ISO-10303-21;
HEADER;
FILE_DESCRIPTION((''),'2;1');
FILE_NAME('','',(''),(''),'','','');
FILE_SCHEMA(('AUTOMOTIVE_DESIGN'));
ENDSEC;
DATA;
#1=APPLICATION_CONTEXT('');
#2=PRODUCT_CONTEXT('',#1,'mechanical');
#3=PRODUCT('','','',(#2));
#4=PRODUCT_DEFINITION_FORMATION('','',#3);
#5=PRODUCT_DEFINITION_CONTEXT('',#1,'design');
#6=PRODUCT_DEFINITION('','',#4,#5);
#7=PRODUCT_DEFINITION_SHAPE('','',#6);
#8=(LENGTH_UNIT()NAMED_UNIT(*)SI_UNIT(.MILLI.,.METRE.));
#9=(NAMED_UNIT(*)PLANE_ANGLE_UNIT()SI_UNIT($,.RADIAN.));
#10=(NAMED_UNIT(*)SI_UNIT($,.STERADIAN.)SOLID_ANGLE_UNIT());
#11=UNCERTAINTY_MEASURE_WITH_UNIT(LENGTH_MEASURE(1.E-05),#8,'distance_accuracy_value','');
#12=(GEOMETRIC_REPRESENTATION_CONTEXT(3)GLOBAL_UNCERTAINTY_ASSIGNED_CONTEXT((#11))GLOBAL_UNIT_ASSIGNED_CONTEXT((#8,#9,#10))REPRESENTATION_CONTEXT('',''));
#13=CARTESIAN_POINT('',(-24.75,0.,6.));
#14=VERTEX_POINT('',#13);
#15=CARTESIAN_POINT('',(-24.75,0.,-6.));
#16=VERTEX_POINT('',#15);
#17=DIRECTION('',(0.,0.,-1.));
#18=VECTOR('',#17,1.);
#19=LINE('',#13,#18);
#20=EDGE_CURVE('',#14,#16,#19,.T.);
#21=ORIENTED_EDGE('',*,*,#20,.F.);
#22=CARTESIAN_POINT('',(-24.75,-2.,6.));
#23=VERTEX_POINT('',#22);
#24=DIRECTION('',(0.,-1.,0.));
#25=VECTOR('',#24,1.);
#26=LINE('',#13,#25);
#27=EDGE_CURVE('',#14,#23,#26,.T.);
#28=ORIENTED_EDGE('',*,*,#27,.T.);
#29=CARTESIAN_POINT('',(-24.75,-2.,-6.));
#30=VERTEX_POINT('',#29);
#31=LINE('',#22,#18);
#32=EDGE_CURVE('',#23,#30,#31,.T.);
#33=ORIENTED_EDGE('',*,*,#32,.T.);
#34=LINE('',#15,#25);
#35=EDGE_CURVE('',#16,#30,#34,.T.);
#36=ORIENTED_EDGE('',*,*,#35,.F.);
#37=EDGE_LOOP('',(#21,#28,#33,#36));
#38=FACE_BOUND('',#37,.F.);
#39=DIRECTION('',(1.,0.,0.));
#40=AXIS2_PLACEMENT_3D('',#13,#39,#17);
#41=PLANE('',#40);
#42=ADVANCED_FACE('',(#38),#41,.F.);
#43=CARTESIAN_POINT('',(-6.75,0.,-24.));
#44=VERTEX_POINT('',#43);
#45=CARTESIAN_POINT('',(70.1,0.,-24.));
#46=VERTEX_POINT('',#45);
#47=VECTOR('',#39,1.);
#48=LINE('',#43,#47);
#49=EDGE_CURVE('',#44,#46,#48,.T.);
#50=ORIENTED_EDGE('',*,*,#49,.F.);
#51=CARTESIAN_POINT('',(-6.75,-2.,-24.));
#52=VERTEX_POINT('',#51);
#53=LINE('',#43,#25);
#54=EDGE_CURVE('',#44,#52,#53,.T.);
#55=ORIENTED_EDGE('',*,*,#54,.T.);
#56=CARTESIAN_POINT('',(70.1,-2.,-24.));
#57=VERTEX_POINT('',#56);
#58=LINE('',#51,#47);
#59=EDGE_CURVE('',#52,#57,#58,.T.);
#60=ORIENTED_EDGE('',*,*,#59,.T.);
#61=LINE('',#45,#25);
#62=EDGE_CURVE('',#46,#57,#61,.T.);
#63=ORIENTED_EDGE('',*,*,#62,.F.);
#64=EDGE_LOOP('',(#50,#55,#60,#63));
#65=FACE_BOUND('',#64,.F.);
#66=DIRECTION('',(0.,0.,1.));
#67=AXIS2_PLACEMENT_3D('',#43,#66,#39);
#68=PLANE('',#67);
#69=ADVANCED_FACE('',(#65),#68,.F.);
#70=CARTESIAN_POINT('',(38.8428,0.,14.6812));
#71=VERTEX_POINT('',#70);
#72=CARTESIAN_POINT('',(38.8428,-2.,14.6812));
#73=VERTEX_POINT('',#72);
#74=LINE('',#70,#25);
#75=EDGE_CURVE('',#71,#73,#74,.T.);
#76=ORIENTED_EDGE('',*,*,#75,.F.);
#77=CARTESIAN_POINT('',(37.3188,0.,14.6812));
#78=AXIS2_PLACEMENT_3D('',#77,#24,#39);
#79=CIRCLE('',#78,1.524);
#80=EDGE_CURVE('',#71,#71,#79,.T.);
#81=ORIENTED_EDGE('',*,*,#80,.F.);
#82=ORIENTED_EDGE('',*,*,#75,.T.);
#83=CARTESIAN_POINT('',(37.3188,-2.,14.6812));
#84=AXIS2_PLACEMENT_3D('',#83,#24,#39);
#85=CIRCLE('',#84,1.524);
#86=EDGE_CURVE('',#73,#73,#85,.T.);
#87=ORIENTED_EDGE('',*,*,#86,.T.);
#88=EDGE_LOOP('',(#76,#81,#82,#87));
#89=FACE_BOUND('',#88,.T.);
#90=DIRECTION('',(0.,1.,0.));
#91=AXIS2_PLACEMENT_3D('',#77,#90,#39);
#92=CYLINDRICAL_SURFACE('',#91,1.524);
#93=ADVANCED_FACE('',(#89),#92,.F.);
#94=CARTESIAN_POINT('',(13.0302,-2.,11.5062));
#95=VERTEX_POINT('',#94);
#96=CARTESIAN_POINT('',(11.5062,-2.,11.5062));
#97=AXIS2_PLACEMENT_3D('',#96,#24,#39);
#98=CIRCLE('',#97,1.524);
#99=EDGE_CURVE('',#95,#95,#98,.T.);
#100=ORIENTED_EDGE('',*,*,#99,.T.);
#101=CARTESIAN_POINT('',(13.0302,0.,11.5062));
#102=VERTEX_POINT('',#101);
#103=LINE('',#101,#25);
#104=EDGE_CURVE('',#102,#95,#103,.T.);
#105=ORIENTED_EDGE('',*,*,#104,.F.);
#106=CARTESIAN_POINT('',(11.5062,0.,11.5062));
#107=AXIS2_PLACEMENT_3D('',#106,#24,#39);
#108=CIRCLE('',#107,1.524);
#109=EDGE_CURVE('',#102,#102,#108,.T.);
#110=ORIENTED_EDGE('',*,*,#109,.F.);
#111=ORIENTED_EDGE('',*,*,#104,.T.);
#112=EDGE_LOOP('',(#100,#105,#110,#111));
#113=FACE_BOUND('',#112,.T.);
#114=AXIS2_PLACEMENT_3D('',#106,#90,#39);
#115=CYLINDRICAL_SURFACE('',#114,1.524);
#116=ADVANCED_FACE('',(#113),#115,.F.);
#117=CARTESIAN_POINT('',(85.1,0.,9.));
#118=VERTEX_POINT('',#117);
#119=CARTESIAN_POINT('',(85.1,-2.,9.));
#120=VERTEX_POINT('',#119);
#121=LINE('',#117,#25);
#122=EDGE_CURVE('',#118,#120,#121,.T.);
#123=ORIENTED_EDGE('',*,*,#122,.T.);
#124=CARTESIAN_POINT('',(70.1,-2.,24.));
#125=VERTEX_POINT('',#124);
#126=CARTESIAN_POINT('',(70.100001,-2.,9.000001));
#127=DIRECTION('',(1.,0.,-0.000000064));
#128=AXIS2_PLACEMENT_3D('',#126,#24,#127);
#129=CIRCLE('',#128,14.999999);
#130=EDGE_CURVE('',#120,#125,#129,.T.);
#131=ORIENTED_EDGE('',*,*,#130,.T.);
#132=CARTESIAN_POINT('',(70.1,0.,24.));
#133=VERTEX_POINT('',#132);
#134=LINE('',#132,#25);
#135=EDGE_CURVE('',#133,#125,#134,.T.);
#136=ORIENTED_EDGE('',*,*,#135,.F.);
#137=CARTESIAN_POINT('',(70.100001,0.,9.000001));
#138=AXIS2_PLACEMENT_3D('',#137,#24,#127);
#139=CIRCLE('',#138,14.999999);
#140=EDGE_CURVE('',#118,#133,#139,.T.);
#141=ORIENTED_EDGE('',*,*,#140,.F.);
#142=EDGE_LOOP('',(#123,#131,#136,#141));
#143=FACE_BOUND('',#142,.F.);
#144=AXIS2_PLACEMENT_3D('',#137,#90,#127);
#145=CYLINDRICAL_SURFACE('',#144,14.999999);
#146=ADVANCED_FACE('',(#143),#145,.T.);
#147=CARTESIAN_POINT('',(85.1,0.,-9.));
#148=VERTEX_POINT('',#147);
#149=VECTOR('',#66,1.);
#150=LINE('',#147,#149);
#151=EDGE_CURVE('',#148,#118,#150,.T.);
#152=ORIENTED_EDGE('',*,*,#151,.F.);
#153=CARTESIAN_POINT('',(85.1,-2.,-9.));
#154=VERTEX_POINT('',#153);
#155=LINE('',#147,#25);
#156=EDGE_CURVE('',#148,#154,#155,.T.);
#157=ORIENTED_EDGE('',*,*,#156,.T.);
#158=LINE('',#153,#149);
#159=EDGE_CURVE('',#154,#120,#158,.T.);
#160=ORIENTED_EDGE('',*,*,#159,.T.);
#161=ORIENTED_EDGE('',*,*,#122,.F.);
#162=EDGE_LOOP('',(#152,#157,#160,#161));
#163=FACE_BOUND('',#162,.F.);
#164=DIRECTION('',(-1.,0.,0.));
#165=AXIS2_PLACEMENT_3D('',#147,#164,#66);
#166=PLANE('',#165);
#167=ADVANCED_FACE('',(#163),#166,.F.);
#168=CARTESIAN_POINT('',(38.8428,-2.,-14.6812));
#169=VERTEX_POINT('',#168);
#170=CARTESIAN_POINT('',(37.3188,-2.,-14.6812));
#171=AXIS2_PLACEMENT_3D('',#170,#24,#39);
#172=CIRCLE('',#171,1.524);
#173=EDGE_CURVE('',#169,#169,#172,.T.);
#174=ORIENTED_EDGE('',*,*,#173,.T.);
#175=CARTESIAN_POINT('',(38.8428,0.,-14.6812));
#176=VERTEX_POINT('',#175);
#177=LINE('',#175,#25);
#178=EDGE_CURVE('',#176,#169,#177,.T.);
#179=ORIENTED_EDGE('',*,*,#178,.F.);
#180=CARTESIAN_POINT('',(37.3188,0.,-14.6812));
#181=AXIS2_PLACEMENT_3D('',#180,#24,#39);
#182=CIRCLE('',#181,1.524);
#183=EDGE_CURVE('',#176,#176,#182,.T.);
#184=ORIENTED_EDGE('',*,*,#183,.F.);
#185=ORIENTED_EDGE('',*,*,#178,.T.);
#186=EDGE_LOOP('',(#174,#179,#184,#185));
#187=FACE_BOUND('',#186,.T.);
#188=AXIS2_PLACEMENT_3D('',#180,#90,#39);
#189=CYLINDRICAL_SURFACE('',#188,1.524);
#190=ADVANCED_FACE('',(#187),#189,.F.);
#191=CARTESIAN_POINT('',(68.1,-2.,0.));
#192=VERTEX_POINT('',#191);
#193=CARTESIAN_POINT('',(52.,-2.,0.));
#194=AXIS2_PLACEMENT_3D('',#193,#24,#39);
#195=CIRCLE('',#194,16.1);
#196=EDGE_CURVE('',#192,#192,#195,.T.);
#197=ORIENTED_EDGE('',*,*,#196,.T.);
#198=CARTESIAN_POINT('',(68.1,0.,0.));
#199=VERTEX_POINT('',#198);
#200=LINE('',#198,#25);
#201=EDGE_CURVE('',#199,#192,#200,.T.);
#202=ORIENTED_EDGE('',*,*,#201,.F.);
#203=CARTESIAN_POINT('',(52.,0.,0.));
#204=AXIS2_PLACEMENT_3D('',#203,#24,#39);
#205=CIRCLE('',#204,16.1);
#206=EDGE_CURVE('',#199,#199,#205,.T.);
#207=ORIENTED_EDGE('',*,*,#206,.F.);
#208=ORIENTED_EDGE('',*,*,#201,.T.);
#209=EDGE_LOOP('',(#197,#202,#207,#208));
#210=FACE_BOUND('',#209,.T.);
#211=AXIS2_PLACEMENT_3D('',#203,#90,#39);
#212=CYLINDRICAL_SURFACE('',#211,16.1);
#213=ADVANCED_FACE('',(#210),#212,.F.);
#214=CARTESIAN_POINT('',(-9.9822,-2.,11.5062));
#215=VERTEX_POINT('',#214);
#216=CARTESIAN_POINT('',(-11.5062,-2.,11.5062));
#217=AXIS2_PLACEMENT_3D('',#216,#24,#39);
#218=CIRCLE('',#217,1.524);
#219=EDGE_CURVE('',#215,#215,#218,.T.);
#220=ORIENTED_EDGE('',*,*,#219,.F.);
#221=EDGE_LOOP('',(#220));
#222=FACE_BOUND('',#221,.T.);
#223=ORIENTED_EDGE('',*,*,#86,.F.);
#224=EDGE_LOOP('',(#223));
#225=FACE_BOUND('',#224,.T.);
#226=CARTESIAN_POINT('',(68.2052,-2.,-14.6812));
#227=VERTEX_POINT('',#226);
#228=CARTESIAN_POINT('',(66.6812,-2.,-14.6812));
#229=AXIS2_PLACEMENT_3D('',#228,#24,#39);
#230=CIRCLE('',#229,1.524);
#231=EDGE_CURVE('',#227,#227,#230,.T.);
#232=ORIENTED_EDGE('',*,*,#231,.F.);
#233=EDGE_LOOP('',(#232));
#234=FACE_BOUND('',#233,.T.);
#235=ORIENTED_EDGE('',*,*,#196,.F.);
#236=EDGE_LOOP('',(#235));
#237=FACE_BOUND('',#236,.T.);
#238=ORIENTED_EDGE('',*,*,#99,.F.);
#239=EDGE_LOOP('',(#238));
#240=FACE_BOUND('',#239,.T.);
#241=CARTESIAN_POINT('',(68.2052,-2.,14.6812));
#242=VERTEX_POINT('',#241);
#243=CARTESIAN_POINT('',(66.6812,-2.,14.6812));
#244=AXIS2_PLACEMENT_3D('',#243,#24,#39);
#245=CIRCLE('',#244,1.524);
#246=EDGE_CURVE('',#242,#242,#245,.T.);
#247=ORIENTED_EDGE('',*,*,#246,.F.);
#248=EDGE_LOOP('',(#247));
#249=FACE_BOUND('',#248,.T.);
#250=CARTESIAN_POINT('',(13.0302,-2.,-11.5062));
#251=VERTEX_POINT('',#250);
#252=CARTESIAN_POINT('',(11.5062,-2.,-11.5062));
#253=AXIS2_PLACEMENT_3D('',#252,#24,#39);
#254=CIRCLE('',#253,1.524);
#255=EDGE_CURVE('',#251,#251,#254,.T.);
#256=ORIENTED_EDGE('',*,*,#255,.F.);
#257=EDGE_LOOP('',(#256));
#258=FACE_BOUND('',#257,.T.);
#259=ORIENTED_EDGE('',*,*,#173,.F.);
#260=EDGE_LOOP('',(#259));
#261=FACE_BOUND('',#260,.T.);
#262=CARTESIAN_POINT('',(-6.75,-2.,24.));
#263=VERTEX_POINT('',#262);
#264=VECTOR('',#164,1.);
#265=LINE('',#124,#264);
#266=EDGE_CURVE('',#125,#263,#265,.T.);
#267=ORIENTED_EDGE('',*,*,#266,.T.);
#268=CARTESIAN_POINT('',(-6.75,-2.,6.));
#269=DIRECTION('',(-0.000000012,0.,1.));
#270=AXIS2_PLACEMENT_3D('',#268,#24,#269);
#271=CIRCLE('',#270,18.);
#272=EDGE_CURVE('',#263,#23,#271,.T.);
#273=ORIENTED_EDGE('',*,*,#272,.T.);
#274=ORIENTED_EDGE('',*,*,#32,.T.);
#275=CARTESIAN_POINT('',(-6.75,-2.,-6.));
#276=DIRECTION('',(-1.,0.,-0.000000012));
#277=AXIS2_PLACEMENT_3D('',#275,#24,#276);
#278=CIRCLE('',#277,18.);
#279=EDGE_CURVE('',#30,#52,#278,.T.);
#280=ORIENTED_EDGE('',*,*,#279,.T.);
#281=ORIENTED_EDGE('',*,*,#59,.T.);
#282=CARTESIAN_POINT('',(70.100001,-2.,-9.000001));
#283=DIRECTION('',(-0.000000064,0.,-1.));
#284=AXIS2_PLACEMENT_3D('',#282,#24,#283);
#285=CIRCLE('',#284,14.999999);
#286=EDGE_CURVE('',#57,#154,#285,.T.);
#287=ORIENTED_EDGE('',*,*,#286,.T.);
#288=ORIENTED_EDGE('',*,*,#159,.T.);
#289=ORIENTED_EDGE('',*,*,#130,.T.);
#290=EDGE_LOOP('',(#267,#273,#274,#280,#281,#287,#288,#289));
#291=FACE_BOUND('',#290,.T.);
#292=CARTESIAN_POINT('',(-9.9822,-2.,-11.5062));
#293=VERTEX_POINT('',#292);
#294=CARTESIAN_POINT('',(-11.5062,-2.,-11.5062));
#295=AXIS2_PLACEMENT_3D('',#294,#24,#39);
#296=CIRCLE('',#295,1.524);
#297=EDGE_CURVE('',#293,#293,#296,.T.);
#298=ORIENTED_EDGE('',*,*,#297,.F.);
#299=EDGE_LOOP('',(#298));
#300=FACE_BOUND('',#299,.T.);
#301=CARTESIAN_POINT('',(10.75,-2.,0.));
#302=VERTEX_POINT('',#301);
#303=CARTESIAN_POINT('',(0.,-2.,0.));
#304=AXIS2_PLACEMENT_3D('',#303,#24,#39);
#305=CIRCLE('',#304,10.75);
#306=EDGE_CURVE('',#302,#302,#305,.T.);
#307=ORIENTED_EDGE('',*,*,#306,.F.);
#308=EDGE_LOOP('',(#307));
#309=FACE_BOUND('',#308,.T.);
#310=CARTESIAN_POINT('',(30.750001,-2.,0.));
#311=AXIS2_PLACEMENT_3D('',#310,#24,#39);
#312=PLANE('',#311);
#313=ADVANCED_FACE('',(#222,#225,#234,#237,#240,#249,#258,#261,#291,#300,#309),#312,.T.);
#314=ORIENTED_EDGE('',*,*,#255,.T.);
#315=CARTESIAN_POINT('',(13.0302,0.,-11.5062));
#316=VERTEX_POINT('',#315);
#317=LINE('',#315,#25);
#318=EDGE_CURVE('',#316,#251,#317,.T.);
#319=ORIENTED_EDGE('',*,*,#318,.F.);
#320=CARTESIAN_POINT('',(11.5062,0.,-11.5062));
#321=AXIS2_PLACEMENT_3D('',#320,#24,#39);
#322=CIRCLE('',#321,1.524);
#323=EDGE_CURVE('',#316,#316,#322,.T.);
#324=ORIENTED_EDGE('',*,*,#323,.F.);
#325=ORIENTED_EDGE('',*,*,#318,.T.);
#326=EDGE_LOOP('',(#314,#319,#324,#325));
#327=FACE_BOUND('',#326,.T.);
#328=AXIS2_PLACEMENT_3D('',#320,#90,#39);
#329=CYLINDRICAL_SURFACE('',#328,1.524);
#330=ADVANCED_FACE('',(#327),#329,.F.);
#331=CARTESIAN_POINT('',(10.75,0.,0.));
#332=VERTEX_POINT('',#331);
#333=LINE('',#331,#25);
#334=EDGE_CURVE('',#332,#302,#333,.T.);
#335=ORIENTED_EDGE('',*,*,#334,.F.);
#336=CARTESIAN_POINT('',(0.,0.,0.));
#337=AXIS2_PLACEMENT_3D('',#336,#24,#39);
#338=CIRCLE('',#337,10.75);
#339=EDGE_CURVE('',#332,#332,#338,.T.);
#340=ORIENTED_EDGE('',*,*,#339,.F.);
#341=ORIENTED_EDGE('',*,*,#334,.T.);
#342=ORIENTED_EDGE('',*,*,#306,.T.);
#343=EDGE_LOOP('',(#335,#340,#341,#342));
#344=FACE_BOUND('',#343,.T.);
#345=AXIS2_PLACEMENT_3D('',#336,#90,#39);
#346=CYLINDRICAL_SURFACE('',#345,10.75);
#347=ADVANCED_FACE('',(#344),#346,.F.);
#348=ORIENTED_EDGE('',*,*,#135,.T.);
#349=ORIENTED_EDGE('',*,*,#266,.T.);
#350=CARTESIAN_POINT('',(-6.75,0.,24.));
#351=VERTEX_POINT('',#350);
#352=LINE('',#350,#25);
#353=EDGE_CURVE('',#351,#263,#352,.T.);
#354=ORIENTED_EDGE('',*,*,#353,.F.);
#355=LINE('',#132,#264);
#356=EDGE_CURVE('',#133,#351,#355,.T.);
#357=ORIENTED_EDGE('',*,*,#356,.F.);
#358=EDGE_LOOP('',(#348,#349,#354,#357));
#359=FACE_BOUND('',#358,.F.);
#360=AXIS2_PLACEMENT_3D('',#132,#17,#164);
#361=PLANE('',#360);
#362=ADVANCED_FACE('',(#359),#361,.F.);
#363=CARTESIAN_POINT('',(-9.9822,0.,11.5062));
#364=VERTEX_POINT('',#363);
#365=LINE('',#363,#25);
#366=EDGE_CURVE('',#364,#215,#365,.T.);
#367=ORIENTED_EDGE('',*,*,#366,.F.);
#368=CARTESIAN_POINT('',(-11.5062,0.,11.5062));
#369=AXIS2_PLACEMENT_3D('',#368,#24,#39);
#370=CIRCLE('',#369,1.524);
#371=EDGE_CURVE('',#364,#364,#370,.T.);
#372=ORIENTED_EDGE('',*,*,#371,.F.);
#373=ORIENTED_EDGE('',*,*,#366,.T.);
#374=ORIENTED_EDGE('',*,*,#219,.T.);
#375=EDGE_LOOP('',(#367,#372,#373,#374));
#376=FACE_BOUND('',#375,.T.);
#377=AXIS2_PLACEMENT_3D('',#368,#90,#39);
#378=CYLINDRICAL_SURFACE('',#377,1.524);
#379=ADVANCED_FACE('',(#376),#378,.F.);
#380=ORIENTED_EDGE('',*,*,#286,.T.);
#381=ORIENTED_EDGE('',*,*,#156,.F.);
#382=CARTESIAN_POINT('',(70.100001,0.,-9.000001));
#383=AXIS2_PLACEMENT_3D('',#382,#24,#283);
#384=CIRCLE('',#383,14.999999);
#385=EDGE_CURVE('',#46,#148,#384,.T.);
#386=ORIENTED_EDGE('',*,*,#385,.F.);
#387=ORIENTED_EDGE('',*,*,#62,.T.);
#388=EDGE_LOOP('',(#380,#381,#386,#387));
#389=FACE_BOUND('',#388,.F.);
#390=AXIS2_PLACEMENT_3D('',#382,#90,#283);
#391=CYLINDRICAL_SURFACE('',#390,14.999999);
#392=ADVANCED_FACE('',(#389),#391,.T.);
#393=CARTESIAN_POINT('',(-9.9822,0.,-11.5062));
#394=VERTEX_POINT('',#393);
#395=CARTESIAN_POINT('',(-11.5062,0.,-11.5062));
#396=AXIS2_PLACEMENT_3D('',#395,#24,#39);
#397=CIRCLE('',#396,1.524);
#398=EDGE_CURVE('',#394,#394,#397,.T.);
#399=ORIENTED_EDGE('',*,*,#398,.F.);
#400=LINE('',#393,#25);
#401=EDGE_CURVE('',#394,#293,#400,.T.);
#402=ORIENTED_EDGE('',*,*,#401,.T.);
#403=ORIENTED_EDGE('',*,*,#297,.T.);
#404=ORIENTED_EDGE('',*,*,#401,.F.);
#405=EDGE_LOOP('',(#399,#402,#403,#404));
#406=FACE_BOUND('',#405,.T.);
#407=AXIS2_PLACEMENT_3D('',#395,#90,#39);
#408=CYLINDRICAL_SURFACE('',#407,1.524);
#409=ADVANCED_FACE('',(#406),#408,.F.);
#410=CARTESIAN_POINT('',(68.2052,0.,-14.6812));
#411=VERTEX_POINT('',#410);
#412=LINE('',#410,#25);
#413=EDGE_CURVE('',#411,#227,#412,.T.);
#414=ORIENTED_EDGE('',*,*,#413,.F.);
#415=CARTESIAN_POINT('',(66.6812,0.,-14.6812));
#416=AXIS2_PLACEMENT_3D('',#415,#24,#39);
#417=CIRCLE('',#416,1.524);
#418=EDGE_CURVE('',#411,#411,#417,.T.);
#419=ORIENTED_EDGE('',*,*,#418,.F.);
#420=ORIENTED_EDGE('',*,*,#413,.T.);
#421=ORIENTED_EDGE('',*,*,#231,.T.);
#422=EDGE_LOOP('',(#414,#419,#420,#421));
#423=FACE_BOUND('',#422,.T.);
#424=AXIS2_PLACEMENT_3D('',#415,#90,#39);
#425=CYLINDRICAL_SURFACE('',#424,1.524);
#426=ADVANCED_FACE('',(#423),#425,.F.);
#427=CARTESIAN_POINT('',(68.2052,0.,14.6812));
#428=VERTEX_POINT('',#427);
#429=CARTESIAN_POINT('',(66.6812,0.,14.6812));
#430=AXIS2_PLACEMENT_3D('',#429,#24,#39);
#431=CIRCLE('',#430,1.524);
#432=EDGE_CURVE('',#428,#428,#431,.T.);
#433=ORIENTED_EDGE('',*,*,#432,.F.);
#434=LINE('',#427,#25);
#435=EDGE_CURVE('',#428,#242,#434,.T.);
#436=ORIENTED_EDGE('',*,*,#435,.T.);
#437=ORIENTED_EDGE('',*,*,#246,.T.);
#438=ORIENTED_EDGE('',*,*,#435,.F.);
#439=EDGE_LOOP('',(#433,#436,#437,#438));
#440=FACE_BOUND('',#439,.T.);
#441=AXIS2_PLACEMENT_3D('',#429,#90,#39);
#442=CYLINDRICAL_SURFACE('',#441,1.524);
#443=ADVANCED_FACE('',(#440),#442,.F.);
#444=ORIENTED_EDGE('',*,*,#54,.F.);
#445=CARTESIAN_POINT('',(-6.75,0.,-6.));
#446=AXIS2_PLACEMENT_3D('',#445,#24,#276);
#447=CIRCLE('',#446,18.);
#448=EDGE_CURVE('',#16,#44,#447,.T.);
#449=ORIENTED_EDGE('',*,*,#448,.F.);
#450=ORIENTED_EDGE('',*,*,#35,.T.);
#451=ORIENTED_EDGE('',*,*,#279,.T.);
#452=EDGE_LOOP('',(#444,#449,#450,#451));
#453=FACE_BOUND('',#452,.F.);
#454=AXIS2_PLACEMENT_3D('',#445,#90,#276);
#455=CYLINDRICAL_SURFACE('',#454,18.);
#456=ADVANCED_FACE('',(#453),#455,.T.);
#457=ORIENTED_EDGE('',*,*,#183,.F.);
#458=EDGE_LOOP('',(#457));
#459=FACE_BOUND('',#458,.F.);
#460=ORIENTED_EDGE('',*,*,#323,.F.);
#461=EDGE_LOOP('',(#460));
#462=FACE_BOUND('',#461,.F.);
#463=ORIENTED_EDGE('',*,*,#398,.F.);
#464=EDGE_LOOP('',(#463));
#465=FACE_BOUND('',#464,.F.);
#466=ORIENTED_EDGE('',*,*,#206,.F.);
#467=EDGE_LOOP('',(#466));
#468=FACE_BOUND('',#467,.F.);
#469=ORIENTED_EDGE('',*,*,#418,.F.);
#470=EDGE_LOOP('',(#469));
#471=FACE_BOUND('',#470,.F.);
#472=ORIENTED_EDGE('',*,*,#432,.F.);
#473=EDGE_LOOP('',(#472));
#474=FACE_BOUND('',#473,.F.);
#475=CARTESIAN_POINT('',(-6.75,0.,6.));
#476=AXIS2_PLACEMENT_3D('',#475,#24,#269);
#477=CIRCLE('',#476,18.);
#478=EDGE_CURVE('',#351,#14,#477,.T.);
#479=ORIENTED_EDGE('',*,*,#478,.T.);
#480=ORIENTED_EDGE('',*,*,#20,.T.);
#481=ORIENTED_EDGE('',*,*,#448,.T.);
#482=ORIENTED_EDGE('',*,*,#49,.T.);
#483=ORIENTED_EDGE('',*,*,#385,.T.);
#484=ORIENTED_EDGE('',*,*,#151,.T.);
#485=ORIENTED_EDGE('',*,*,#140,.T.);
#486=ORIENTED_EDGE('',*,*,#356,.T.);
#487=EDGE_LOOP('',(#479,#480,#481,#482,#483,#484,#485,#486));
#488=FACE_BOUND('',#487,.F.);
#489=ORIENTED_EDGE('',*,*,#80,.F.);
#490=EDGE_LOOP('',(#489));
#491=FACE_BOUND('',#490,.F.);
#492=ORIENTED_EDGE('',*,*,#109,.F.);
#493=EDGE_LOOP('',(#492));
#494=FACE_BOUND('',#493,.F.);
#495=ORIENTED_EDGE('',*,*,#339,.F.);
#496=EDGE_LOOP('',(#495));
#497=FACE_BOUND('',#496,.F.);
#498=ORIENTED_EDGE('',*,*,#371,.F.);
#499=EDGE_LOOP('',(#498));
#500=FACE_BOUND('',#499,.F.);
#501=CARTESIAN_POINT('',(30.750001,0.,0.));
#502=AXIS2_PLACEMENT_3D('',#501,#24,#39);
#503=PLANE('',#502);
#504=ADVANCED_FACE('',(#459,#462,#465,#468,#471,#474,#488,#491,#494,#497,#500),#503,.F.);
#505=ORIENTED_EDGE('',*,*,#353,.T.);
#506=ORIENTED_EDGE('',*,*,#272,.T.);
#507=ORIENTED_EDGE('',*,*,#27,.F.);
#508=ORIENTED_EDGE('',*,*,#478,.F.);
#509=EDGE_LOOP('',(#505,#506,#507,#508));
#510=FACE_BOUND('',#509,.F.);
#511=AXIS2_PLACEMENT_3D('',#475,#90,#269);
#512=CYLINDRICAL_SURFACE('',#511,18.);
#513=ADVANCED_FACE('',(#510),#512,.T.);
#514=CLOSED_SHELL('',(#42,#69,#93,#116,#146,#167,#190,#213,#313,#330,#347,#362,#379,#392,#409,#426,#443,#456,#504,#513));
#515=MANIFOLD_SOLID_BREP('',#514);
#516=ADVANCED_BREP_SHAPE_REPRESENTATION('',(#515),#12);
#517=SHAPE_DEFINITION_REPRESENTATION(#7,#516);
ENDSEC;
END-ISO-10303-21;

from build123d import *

# Parameters (mm, degrees)
F0_R     = 1.524
F0_R_2   = 10.75
F0_R_3   = 16.1
F1_DEPTH = 2


with BuildPart() as f1:
    # F0 (on Front) → F1 (new body)
    with BuildSketch(Plane.XZ):
        with BuildLine():
            Line((-24.75, 6), (-24.75, 0))
            Line((-24.75, 0), (-24.75, -6))
            ThreePointArc((-24.75, -6), (-19.477922, -18.727922), (-6.75, -24))
            Line((-6.75, -24), (70.1, -24))
            ThreePointArc((70.1, -24), (80.706602, -19.606602), (85.1, -9))
            Line((85.1, -9), (85.1, 0))
            Line((85.1, 0), (85.1, 9))
            ThreePointArc((85.1, 9), (80.706602, 19.606602), (70.1, 24))
            Line((70.1, 24), (-6.75, 24))
            ThreePointArc((-6.75, 24), (-19.477922, 18.727922), (-24.75, 6))
        make_face()
        with Locations((-11.5062, -11.5062)):
            Circle(F0_R, mode=Mode.SUBTRACT)
        with Locations((11.5062, -11.5062)):
            Circle(F0_R, mode=Mode.SUBTRACT)
        with Locations((37.3188, -14.6812)):
            Circle(F0_R, mode=Mode.SUBTRACT)
        with Locations((66.6812, -14.6812)):
            Circle(F0_R, mode=Mode.SUBTRACT)
        Circle(F0_R_2, mode=Mode.SUBTRACT)
        with Locations((-11.5062, 11.5062)):
            Circle(F0_R, mode=Mode.SUBTRACT)
        with Locations((11.5062, 11.5062)):
            Circle(F0_R, mode=Mode.SUBTRACT)
        with Locations((52, 0)):
            Circle(F0_R_3, mode=Mode.SUBTRACT)
        with Locations((37.3188, 14.6812)):
            Circle(F0_R, mode=Mode.SUBTRACT)
        with Locations((66.6812, 14.6812)):
            Circle(F0_R, mode=Mode.SUBTRACT)
    extrude(amount=F1_DEPTH)


solid = f1.part
